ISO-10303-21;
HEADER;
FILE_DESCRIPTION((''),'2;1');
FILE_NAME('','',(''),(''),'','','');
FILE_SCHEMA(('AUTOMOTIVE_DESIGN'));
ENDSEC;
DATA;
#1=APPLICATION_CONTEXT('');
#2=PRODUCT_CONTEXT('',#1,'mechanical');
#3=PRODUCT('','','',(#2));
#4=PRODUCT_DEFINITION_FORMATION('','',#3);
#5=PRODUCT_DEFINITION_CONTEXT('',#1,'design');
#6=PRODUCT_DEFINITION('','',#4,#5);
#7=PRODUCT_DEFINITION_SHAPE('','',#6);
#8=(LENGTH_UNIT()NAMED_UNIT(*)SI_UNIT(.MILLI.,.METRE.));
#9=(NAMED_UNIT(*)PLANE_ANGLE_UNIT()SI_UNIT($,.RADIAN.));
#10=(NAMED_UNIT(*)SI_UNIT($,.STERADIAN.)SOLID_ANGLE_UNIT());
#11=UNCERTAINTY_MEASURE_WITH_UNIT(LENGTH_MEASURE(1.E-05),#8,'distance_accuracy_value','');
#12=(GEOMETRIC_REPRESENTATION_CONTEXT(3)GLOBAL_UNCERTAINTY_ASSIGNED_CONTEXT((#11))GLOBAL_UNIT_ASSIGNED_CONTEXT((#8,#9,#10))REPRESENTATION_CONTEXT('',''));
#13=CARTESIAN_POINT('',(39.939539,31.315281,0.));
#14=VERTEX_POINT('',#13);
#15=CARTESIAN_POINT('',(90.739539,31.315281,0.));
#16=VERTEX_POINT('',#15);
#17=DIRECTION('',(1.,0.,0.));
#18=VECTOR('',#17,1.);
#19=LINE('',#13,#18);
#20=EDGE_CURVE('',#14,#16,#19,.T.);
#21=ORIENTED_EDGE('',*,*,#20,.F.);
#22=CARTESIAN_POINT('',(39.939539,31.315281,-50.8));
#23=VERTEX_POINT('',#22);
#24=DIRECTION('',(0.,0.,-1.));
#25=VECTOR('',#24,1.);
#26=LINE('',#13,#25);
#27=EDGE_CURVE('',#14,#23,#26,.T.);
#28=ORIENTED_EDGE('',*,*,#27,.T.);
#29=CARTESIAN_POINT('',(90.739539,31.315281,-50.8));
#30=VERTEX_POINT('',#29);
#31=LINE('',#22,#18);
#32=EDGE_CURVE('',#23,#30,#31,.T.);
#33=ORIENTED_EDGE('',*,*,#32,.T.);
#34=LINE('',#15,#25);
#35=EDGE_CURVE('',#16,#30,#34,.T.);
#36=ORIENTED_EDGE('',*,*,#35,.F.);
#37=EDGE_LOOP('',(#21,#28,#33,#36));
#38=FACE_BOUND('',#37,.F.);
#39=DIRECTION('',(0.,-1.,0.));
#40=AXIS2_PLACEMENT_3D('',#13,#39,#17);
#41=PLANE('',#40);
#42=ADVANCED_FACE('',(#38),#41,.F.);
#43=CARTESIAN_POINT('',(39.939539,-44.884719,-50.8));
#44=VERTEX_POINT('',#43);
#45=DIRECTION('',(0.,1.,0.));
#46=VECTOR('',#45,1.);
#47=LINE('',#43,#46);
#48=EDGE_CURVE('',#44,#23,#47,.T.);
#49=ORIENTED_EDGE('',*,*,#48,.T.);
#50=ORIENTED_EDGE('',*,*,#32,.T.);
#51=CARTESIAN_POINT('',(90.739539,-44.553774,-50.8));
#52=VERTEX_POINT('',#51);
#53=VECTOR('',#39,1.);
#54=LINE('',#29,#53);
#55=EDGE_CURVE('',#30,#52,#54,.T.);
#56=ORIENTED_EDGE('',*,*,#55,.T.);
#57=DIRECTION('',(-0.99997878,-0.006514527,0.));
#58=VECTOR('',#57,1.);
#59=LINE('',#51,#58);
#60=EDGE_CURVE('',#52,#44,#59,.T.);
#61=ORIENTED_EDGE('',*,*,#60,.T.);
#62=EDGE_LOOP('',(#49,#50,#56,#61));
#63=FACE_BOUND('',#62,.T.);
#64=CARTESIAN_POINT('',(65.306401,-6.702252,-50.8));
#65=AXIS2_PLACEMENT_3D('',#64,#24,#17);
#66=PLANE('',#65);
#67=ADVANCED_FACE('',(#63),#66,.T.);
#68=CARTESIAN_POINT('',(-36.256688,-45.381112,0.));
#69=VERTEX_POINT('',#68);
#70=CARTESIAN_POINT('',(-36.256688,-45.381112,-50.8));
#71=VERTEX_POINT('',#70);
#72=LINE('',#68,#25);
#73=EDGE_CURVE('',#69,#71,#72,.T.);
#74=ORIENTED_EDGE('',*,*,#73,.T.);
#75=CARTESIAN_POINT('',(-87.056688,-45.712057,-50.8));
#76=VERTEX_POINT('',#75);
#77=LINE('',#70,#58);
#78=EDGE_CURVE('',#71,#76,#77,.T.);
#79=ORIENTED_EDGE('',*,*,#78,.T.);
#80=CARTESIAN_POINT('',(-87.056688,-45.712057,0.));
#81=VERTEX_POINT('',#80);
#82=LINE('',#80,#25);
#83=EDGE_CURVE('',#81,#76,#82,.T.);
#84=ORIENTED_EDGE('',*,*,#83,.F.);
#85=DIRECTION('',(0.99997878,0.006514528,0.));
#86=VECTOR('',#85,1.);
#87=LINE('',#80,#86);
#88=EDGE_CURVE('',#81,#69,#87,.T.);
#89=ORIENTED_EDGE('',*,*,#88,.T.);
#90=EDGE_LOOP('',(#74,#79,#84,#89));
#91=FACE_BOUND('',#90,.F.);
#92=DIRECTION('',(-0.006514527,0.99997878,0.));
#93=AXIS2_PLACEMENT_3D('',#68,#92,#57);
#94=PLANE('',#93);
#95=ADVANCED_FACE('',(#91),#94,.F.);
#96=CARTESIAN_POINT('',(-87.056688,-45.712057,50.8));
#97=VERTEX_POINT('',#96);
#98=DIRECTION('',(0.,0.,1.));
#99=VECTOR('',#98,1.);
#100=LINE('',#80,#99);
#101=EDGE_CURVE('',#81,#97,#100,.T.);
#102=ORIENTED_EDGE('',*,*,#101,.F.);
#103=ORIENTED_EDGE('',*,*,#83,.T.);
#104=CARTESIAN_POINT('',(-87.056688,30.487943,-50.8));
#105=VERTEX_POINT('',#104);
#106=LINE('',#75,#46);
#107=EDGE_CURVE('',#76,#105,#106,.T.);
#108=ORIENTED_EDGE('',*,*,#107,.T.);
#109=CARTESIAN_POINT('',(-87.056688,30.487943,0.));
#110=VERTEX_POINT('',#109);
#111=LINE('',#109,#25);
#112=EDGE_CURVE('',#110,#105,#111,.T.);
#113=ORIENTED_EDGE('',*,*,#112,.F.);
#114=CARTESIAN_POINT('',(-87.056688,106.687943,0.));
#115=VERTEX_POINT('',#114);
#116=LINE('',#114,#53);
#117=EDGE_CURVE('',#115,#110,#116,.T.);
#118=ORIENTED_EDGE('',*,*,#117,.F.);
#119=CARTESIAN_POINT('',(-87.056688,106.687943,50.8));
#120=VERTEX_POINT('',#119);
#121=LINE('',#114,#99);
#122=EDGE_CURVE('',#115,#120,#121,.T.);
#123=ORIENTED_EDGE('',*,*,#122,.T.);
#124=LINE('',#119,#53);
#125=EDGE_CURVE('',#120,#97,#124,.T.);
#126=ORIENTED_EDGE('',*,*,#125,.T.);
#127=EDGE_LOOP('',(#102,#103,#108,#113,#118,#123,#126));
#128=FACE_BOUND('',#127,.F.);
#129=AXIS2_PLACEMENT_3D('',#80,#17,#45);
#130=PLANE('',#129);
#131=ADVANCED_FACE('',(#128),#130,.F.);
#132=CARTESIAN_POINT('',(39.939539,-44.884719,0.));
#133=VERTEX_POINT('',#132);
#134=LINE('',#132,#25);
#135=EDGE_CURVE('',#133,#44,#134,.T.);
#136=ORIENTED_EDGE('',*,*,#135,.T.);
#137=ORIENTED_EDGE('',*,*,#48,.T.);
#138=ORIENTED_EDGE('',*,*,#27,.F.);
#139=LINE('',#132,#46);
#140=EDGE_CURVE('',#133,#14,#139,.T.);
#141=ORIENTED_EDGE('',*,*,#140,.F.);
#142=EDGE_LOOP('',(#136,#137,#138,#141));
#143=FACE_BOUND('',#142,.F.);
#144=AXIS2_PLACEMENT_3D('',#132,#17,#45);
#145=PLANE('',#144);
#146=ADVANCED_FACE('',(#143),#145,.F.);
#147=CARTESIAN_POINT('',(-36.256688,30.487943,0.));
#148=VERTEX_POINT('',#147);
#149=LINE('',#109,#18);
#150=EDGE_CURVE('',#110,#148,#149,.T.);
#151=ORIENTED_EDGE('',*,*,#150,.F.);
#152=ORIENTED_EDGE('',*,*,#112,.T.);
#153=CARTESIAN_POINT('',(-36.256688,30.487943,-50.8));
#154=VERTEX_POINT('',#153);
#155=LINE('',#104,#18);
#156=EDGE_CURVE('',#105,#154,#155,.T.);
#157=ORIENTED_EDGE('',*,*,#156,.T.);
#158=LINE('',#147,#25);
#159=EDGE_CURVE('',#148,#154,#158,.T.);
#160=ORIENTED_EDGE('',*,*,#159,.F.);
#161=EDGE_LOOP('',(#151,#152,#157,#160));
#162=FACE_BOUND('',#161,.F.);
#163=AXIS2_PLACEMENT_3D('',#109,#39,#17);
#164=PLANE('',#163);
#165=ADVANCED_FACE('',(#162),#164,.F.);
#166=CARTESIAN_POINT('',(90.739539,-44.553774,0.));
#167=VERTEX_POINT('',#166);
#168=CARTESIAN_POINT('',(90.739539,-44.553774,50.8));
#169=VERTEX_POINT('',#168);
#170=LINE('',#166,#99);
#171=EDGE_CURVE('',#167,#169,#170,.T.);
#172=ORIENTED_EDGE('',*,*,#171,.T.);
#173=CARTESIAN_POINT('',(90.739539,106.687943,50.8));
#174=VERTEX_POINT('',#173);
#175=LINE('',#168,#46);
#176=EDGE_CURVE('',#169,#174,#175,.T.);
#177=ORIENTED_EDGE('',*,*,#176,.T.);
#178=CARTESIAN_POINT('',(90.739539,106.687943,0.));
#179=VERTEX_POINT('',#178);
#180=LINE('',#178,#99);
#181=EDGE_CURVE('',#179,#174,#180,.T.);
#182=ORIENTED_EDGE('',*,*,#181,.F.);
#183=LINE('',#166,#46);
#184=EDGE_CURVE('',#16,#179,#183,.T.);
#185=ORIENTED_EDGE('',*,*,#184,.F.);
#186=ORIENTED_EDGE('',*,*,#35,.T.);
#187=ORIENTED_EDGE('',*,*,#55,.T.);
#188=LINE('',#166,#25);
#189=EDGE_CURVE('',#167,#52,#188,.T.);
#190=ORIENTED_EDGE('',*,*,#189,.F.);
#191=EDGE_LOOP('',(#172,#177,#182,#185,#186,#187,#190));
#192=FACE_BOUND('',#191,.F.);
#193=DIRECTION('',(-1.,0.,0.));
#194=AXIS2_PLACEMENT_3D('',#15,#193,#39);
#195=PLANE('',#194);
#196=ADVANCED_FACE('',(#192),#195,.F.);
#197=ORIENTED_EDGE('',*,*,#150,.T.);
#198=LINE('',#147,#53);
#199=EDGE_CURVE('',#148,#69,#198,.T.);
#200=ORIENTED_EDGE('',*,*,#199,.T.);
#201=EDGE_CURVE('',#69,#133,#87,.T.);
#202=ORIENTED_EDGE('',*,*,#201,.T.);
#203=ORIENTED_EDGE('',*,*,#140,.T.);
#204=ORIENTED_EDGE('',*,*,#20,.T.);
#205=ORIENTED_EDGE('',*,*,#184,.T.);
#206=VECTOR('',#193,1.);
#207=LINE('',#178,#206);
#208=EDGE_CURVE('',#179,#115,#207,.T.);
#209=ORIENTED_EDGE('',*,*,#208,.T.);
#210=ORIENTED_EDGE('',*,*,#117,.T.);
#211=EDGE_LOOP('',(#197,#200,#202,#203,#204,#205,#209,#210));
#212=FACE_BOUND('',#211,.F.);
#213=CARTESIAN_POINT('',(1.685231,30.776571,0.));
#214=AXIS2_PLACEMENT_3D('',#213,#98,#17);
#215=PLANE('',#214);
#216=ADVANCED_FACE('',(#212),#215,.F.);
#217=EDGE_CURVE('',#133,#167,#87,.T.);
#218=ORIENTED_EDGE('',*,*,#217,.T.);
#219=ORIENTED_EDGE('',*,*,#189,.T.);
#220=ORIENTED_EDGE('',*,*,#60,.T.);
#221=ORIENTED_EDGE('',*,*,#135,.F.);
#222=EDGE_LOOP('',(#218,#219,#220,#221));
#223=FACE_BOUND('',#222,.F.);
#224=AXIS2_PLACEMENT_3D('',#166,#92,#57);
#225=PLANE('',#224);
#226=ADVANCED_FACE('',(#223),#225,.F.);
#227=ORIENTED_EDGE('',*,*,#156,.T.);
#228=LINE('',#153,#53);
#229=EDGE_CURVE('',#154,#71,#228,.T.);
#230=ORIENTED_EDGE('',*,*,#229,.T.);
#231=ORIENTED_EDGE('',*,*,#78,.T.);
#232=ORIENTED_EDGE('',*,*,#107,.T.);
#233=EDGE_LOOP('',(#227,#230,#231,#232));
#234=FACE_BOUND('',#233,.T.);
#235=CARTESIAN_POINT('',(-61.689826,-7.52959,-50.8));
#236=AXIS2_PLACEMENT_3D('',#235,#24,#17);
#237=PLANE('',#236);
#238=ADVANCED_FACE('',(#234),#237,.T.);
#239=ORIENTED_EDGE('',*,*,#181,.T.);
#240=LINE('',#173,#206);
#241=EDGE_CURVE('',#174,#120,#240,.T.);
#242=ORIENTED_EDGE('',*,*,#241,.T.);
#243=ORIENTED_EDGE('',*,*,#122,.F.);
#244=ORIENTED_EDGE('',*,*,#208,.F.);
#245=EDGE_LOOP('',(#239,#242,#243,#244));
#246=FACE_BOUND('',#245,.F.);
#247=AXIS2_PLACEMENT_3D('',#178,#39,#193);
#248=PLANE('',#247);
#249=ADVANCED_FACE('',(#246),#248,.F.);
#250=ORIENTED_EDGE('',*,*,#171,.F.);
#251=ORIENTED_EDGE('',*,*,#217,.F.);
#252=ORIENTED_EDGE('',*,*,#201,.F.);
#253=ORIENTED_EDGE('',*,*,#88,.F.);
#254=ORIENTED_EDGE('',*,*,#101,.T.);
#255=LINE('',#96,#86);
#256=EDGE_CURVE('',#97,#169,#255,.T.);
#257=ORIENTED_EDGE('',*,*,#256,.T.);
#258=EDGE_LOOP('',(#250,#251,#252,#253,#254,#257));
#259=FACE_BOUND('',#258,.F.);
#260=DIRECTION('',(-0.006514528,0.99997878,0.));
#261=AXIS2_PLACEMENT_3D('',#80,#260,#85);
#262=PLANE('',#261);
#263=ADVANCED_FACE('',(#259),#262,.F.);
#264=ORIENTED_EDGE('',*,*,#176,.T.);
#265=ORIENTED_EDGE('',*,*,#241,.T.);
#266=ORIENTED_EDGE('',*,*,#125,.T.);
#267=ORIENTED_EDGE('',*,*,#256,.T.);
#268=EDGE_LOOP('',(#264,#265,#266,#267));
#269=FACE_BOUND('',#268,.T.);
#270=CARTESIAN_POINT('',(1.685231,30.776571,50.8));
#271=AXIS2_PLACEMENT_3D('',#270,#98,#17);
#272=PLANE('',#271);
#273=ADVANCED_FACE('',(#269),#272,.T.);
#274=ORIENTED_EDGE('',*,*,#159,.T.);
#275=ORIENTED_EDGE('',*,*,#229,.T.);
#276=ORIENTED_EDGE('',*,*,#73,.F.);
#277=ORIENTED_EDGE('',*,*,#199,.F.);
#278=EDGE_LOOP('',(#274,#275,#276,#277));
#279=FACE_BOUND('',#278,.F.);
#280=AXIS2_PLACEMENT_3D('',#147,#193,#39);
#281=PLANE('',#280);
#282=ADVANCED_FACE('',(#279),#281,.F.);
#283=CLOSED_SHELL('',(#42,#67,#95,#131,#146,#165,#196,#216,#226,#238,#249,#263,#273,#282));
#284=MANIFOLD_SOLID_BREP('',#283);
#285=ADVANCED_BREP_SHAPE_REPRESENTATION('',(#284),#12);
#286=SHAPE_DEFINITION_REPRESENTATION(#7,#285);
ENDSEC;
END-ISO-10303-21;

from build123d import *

# Parameters (mm, degrees)
F1_DEPTH = 50.8
F3_DEPTH = 50.8
F5_DEPTH = 50.8


with BuildPart() as f1:
    # F0 (on Top) → F1 (new body)
    with BuildSketch(Plane.XY):
        Polygon((-87.056688, 106.687943), (-87.056688, -45.712057), (90.739539, -44.553774), (90.739539, 106.687943), align=None)
    extrude(amount=F1_DEPTH)

    # F2 (on face) → F3 (join)
    with BuildSketch(Plane(origin=(0, 0, 0), x_dir=(1, 0, 0), z_dir=(0, 0, -1))):
        Polygon((-36.256688, 45.381112), (-87.056688, 45.712057), (-87.056688, -30.487943), (-36.256688, -30.487943), align=None)
    extrude(amount=F3_DEPTH)

    # F4 (on face) → F5 (join)
    with BuildSketch(Plane(origin=(0, 0, 0), x_dir=(1, 0, 0), z_dir=(0, 0, -1))):
        Polygon((90.739539, 44.553774), (39.939539, 44.884719), (39.939539, -31.315281), (90.739539, -31.315281), align=None)
    extrude(amount=F5_DEPTH)


solid = f1.part
